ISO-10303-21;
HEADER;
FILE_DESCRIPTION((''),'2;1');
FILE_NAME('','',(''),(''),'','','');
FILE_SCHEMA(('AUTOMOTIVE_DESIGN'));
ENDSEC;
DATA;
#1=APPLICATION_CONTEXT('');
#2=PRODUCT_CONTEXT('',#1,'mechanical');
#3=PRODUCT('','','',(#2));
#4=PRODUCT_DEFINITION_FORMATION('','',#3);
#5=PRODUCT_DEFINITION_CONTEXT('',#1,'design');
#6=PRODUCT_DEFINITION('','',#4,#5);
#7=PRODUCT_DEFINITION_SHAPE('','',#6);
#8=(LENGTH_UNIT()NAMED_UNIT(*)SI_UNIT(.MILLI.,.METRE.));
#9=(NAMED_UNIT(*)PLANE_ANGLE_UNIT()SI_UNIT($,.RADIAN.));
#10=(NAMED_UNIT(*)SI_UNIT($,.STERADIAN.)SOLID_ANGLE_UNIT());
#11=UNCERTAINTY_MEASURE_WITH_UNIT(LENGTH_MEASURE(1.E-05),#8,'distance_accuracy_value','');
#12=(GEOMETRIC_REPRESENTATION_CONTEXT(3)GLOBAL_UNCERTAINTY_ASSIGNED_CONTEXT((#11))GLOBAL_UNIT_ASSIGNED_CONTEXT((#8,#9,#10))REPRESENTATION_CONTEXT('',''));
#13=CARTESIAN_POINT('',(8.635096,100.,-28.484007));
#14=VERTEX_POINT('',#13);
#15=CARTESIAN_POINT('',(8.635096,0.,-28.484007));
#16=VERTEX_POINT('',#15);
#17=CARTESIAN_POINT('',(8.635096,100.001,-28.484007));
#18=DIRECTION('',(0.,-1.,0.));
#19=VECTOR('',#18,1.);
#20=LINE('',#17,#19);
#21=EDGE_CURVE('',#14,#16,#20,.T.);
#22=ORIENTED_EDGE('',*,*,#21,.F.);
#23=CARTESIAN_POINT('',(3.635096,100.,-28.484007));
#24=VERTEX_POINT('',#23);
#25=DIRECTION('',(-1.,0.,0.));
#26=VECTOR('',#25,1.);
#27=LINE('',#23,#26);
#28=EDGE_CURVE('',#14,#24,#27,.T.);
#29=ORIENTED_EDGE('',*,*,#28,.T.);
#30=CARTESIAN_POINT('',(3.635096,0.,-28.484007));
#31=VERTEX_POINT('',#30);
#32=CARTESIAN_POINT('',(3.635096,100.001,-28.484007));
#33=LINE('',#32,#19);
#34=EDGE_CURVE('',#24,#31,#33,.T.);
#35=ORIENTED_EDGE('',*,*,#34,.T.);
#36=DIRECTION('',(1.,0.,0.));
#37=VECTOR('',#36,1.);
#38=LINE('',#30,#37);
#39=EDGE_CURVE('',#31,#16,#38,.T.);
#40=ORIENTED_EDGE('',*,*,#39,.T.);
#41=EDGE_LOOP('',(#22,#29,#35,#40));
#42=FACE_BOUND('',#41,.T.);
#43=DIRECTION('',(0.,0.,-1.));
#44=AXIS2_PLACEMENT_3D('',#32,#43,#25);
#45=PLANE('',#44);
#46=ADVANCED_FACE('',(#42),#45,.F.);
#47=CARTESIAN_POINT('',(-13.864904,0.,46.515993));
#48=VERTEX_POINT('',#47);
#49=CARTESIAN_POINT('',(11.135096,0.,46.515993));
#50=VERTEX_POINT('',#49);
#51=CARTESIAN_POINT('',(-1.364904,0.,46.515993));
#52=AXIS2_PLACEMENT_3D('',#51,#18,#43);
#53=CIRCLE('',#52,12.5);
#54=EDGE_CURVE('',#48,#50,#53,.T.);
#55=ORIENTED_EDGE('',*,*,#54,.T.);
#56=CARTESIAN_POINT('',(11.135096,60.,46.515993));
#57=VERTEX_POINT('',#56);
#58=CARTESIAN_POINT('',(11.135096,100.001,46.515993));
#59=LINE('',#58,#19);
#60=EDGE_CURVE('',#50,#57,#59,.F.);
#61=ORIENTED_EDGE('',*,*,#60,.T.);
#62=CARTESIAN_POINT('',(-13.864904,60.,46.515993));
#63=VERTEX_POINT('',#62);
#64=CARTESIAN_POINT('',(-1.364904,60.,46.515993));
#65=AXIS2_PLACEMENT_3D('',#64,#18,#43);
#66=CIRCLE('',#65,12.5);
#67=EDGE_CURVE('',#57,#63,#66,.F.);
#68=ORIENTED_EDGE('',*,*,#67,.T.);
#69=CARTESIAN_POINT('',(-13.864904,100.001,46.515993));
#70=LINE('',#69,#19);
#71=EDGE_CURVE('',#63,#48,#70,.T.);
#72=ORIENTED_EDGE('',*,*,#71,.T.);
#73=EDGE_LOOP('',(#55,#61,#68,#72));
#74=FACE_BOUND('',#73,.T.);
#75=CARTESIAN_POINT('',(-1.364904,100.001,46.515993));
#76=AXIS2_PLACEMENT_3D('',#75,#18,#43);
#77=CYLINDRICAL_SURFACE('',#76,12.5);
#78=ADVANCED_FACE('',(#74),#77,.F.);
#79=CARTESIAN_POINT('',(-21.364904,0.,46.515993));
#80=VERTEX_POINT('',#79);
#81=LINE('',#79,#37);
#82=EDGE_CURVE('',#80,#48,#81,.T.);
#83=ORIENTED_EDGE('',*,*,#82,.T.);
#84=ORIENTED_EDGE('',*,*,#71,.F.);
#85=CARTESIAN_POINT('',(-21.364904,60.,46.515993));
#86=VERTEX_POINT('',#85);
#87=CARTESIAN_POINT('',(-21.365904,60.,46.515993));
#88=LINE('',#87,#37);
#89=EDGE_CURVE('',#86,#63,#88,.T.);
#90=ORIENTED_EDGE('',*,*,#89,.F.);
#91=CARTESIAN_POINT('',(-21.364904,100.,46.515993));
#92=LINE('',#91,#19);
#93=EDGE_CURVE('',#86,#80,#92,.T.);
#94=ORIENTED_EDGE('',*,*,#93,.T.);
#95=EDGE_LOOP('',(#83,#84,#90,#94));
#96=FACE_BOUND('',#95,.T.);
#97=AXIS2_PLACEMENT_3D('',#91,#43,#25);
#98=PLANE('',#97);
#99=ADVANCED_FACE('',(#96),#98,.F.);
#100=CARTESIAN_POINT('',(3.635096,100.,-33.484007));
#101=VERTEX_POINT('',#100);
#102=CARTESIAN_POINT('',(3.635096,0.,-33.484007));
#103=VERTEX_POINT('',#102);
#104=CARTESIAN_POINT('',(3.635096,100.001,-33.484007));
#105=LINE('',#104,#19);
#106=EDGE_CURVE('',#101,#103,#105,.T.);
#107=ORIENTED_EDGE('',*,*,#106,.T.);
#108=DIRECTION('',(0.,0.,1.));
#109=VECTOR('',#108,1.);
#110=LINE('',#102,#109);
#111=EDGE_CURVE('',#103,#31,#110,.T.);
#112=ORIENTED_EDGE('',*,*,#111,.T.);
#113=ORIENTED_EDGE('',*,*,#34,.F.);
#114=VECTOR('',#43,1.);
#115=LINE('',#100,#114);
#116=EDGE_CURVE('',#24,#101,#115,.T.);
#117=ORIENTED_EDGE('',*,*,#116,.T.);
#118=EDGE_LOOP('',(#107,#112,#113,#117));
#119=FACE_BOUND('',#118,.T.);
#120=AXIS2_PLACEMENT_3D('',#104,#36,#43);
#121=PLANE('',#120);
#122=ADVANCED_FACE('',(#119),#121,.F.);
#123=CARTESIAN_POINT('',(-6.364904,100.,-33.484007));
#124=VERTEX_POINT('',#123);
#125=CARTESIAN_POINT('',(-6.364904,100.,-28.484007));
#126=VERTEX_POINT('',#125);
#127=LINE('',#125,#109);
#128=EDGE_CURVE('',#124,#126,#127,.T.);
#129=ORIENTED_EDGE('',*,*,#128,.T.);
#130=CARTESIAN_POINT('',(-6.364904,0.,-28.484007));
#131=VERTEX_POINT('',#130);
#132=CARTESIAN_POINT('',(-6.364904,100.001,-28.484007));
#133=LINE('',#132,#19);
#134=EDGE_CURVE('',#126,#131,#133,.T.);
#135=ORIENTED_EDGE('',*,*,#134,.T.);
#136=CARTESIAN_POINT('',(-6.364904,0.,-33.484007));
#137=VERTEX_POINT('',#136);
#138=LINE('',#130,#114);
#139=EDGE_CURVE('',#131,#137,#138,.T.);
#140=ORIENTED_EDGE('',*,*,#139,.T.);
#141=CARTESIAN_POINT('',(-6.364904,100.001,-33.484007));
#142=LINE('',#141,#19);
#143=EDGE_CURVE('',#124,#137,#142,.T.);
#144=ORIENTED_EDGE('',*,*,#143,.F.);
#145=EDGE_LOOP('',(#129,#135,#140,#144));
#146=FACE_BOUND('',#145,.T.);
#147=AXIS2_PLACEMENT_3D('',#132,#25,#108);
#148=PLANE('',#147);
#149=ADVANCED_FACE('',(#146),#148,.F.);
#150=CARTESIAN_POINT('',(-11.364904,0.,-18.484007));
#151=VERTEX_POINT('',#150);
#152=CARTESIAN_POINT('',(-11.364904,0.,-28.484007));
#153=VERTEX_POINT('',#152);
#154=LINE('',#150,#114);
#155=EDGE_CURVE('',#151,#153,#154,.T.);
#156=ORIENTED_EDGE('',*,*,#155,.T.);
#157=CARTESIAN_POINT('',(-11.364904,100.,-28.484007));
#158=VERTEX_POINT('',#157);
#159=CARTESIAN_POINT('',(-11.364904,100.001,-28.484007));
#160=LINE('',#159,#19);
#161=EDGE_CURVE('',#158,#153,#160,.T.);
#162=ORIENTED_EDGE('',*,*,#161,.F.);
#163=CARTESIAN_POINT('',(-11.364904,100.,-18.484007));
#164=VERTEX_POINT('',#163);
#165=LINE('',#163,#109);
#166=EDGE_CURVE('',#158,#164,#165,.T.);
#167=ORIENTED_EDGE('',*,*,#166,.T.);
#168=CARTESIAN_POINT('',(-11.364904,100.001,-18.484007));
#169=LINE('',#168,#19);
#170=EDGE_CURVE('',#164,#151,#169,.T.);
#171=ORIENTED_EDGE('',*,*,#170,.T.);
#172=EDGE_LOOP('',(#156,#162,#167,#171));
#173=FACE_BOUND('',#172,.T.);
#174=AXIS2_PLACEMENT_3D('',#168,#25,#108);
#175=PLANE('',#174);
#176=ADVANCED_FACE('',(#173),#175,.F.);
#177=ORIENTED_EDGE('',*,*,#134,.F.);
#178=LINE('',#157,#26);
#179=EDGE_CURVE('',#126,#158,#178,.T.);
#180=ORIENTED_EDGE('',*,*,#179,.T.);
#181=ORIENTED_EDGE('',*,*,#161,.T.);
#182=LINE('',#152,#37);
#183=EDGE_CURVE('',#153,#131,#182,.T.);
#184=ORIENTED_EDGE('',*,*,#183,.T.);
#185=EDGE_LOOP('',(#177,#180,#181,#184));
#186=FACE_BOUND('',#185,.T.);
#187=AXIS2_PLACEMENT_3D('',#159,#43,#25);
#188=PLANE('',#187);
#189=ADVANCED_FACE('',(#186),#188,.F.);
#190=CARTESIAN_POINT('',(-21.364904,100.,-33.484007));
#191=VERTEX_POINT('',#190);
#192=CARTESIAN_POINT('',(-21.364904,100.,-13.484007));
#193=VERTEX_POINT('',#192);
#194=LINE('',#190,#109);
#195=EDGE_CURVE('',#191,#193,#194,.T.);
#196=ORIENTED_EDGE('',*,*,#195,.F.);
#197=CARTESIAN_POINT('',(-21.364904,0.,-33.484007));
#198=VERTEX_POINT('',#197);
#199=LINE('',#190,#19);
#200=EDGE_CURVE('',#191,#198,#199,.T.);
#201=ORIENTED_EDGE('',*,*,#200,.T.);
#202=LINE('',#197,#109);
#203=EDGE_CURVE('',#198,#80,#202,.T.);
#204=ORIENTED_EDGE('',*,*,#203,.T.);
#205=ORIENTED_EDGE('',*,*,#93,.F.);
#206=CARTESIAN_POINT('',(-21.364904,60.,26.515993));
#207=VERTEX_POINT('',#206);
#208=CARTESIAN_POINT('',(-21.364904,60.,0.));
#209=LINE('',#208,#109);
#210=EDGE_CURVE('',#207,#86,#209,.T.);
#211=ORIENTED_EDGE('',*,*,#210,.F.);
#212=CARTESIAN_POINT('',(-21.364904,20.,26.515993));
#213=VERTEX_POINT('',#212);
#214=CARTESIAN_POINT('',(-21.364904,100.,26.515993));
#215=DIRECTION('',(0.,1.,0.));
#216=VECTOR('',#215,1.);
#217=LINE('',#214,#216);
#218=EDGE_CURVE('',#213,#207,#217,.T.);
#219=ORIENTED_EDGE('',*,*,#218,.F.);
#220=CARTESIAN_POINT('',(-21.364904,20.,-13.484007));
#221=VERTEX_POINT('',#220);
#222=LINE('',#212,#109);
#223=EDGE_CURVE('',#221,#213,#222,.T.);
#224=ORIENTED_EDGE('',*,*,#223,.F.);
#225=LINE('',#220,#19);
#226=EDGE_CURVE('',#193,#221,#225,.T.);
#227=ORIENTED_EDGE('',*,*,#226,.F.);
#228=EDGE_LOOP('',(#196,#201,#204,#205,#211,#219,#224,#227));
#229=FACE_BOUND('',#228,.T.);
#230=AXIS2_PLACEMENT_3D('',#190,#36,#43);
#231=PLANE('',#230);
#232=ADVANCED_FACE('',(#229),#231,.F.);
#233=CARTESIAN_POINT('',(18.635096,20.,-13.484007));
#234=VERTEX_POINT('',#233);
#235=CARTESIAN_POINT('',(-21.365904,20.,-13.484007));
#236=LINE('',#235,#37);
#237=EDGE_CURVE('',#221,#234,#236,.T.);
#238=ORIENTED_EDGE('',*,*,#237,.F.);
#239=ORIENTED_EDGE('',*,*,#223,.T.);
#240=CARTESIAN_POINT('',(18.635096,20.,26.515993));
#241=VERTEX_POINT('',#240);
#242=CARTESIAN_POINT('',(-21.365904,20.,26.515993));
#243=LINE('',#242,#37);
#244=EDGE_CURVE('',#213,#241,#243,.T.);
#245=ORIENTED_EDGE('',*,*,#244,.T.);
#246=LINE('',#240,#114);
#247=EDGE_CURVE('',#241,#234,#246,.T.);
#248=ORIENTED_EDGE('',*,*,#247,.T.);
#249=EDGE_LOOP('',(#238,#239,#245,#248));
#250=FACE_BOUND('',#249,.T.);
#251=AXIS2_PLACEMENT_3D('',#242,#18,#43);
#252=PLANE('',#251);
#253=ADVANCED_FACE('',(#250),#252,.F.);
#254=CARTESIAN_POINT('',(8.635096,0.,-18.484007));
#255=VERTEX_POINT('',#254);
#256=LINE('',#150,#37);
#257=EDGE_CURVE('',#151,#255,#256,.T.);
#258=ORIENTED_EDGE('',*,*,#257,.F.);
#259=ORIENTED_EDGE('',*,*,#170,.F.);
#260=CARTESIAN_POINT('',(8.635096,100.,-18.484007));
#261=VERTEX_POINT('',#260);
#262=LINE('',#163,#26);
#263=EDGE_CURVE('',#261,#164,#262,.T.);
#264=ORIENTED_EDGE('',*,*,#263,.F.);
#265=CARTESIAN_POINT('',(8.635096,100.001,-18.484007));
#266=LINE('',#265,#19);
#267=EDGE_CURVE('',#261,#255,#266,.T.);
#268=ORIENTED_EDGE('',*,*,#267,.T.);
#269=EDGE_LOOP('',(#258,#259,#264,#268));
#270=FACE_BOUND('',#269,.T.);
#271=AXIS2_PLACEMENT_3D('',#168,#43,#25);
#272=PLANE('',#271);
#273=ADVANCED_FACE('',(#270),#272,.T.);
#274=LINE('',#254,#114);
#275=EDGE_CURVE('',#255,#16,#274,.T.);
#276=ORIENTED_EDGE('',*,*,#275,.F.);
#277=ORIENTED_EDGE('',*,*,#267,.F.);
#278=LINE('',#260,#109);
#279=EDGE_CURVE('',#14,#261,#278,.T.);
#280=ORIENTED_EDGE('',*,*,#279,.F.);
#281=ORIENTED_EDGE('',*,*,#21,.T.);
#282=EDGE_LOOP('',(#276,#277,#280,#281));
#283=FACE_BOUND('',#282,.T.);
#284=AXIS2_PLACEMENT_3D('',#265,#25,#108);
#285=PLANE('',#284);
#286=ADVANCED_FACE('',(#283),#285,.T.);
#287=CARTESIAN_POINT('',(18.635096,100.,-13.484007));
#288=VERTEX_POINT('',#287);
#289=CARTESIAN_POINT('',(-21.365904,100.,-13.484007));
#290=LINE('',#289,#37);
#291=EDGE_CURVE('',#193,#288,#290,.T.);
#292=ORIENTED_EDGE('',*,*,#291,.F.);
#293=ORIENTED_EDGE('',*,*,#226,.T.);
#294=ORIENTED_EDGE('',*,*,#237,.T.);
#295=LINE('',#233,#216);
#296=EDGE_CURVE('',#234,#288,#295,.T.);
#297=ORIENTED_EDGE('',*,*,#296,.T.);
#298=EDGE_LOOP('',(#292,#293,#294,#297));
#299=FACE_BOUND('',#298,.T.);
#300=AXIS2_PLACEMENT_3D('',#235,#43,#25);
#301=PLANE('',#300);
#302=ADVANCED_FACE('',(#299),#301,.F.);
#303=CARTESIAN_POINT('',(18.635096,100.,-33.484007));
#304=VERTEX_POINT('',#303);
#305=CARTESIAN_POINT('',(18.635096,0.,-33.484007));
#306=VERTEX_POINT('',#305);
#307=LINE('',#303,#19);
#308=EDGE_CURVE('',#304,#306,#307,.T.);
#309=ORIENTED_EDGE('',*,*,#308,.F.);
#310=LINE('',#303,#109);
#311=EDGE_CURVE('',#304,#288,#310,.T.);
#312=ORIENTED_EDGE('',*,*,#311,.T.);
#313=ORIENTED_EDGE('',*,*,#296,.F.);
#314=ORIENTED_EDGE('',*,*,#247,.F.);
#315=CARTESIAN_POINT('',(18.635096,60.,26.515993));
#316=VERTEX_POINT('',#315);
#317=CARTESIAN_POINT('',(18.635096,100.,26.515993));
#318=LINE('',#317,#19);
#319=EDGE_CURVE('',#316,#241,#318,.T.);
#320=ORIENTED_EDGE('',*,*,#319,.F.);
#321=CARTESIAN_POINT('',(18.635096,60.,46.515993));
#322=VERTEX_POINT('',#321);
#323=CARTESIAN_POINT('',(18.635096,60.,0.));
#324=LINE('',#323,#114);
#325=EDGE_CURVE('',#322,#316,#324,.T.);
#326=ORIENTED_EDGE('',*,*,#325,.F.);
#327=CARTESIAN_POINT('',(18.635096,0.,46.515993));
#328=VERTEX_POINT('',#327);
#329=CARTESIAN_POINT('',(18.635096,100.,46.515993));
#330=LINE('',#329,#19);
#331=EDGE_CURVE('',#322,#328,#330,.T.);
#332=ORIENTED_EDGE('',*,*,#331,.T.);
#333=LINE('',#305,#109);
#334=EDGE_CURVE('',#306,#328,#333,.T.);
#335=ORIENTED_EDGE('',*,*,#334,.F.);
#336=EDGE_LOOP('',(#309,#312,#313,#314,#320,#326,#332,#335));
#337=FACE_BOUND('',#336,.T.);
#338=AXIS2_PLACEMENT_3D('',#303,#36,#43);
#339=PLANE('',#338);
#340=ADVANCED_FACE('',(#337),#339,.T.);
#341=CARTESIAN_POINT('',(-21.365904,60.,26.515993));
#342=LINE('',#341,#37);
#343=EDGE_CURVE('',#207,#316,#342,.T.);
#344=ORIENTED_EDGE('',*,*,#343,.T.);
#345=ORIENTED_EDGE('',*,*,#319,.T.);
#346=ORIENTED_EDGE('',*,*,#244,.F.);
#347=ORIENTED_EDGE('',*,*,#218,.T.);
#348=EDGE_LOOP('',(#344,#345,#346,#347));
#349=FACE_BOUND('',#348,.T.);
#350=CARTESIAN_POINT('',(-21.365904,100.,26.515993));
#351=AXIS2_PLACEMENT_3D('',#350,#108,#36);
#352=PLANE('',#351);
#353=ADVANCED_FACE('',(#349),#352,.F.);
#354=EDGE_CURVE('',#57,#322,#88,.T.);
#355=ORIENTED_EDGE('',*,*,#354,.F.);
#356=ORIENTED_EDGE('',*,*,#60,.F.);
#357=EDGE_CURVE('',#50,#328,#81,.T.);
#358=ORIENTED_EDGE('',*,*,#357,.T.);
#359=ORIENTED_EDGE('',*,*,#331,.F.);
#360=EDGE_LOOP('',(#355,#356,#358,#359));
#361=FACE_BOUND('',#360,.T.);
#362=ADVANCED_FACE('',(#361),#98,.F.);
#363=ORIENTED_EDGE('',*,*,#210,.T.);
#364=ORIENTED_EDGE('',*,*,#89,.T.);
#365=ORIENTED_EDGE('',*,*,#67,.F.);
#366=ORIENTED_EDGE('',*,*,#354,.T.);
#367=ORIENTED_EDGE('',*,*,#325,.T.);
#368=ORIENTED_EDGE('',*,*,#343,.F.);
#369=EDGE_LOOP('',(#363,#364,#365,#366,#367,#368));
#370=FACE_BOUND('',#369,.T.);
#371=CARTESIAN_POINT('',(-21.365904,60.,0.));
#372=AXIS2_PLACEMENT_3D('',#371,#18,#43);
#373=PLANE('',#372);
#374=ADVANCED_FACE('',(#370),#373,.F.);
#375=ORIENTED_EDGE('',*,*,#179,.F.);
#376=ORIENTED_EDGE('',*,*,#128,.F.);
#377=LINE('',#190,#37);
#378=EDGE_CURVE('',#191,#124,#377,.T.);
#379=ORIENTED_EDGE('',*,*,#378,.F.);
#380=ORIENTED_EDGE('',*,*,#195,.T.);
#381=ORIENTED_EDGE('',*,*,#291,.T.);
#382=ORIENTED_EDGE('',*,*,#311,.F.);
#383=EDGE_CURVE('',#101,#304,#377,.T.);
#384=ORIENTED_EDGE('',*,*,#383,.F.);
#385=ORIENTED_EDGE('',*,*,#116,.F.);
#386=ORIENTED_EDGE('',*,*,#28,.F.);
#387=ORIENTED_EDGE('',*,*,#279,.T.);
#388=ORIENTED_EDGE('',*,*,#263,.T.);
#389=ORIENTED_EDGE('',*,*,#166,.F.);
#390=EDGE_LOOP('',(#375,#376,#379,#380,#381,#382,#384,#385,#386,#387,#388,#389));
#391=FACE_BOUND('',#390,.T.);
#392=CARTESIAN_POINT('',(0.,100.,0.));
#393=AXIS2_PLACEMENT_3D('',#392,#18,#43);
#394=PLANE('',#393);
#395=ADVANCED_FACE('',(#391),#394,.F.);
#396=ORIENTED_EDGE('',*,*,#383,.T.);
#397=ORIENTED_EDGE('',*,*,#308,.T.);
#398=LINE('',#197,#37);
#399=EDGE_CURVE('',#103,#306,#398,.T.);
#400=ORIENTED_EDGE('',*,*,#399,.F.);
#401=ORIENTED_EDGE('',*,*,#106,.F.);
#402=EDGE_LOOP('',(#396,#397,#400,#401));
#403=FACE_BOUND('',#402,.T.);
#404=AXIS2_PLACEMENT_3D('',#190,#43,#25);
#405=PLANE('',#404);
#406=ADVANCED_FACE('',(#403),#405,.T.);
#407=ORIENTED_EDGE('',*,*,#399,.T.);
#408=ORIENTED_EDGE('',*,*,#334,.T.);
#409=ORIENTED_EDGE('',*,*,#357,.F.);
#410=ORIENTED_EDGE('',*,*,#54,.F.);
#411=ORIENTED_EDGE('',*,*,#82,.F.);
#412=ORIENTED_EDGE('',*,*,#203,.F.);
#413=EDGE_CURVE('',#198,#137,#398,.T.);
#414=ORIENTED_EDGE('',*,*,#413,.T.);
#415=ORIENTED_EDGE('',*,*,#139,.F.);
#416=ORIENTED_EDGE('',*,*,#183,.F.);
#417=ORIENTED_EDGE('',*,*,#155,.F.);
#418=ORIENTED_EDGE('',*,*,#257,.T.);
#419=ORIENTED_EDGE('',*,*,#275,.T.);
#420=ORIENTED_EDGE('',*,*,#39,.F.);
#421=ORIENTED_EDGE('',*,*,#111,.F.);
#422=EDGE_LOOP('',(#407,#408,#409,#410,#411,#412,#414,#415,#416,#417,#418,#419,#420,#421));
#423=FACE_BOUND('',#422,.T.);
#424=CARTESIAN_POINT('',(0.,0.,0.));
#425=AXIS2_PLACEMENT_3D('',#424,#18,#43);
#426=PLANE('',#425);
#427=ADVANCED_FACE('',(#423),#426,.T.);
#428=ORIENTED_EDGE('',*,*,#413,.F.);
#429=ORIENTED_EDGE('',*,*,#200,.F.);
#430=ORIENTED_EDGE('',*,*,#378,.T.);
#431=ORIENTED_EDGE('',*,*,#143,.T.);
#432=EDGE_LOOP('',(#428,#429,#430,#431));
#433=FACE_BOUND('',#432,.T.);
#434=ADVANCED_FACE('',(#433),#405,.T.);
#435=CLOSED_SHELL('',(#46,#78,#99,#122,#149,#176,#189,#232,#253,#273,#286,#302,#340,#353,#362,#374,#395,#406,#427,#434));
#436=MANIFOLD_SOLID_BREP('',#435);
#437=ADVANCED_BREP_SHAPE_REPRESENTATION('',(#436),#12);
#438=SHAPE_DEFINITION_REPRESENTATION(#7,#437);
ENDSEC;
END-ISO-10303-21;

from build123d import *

# Parameters (mm, degrees)
SKETCH1_W           = 40
SKETCH1_H           = 80
BOSS_EXTRUDE1_DEPTH = 100
CUT_EXTRUDE1_REACH  = 119.319
SKETCH3_W           = 40
SKETCH3_H           = 80
CUT_EXTRUDE2_REACH  = 119.319
SKETCH5_W           = 20
SKETCH5_H           = 40
CUT_EXTRUDE3_REACH  = 114.34
SKETCH6_R           = 12.5
CUT_EXTRUDE5_REACH  = 114.34


with BuildPart() as part:
    # Sketch1 → Boss-Extrude1 (new body)
    with BuildSketch(Plane(origin=(0, 0, 0), x_dir=(1, 0, 0), z_dir=(0, 1, 0))):
        with Locations((-1.364903769, -6.515993016)):
            Rectangle(SKETCH1_W, SKETCH1_H)
    extrude(amount=BOSS_EXTRUDE1_DEPTH)

    # Sketch3 → Cut-Extrude1 (cut, up to next)
    with BuildSketch(Plane(origin=(18.635096231, 0, 0), x_dir=(0, 0, -1), z_dir=(1, 0, 0)), mode=Mode.PRIVATE) as cut_extrude1_sk1:
        with Locations((-6.515993016, 60)):
            Rectangle(SKETCH3_W, SKETCH3_H)
    cut_extrude1_tool1 = extrude(cut_extrude1_sk1.sketch, amount=-CUT_EXTRUDE1_REACH, mode=Mode.PRIVATE) & part.part
    add(cut_extrude1_tool1.solids().sort_by_distance((18.635096, 60, 6.515993))[0], mode=Mode.SUBTRACT)

    # Sketch5 → Cut-Extrude2 (cut, up to next)
    with BuildSketch(Plane(origin=(18.635096231, 0, 0), x_dir=(0, 0, -1), z_dir=(1, 0, 0)), mode=Mode.PRIVATE) as cut_extrude2_sk1:
        with Locations((-36.515993016, 80)):
            Rectangle(SKETCH5_W, SKETCH5_H)
    cut_extrude2_tool1 = extrude(cut_extrude2_sk1.sketch, amount=-CUT_EXTRUDE2_REACH, mode=Mode.PRIVATE) & part.part
    add(cut_extrude2_tool1.solids().sort_by_distance((18.635096, 80, 36.515993))[0], mode=Mode.SUBTRACT)

    # Sketch6 → Cut-Extrude3 (cut, up to next)
    with BuildSketch(Plane.XZ, mode=Mode.PRIVATE) as cut_extrude3_sk1:
        with Locations((-1.364903769, 46.515993016)):
            Circle(SKETCH6_R)
    cut_extrude3_tool1 = extrude(cut_extrude3_sk1.sketch, amount=-CUT_EXTRUDE3_REACH, mode=Mode.PRIVATE) & part.part
    add(cut_extrude3_tool1.solids().sort_by_distance((-1.364904, 0, 46.515993))[0], mode=Mode.SUBTRACT)

    # Sketch10 → Cut-Extrude5 (cut, up to next)
    with BuildSketch(Plane.XZ, mode=Mode.PRIVATE) as cut_extrude5_sk1:
        Polygon((-11.364903769, -18.484006984), (8.635096231, -18.484006984), (8.635096231, -28.484006984), (3.635096231, -28.484006984), (3.635096231, -33.484006984), (-6.364903769, -33.484006984), (-6.364903769, -28.484006984), (-11.364903769, -28.484006984), align=None)
    cut_extrude5_tool1 = extrude(cut_extrude5_sk1.sketch, amount=-CUT_EXTRUDE5_REACH, mode=Mode.PRIVATE) & part.part
    add(cut_extrude5_tool1.solids().sort_by_distance((-1.364904, 0, -24.984007))[0], mode=Mode.SUBTRACT)


solid = part.part
